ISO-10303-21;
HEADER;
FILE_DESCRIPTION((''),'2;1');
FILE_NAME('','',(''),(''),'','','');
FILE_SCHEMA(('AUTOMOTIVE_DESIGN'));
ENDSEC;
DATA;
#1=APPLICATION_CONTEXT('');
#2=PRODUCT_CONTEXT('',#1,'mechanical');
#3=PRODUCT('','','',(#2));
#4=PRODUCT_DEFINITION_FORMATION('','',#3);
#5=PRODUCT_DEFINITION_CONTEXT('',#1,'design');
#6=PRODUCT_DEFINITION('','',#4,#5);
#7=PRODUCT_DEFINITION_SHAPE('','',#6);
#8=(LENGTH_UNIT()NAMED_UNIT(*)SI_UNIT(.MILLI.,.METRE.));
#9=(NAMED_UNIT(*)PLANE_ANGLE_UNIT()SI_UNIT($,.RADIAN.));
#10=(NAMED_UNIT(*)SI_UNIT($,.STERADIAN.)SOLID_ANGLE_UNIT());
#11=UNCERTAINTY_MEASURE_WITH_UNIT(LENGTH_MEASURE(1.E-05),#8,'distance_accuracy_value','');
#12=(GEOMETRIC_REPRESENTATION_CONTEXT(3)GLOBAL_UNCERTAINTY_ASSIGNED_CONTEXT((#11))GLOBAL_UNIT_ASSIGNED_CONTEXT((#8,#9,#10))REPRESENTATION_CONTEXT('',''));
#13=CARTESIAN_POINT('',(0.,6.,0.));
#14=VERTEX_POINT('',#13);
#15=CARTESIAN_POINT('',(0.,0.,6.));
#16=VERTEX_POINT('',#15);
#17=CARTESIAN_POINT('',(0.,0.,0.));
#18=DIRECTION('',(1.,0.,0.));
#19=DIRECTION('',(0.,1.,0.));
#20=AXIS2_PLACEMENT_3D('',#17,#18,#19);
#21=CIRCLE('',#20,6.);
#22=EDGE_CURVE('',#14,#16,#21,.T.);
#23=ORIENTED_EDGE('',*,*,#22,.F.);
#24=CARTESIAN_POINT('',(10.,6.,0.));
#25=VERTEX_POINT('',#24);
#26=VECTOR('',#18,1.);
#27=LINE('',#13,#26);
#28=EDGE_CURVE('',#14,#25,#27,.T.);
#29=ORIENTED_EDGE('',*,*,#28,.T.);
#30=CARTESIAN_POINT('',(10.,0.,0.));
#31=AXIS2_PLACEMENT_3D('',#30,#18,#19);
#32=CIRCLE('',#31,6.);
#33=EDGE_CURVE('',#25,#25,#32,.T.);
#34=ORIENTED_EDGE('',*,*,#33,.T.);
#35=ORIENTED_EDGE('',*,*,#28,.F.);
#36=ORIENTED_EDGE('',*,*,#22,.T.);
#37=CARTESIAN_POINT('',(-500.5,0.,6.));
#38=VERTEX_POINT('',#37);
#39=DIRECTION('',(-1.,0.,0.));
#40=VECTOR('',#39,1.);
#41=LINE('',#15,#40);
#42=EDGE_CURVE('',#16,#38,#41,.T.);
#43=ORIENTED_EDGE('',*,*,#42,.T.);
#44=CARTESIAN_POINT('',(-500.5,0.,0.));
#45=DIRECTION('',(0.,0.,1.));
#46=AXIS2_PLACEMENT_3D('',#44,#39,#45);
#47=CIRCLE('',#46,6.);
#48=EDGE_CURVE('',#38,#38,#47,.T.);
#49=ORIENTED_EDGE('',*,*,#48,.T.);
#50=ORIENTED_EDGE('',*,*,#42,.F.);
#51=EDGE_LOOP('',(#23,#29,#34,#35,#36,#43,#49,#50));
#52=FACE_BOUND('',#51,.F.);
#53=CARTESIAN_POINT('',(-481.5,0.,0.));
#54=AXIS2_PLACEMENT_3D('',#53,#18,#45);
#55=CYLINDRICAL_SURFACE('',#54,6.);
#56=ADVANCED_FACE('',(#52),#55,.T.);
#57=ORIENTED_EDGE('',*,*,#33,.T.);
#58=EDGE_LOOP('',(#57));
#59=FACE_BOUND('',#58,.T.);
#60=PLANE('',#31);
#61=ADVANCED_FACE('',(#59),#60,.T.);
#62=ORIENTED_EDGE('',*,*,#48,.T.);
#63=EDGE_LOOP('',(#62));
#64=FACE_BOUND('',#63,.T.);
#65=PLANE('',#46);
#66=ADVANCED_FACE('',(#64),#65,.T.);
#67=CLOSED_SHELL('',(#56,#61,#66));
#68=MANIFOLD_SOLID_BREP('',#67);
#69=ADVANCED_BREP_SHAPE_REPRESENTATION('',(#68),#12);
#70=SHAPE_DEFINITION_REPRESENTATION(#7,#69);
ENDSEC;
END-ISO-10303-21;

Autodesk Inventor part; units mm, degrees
sketch "Sketch1" plane through (0, 0, 0) normal (1, 0, 0) x (0, 1, 0)
  circle A0 centre (0, 0) radius 6
  dimension "d0" = 12
extrude "Extrusion1" add sketch "Sketch1" along normal blind 10
sketch "Sketch2" plane through (0, 0, 0) normal (-1, 0, 0) x (0, 0, 1)
  circle A0 centre (0, 0) radius 6 projected
ref_plane "Work Plane1" through (-497, -256, -240) normal (-1, 0, 0) x (0, 0, 1)
ref_plane "Work Plane2" through (-697, -256, -240) normal (-1, 0, 0) x (0, 0, 1)
ref_plane "Work Plane3" through (-497, -256, -240) normal (-1, 0, 0) x (0, 0, 1)
ref_plane "Work Plane5" through (-481.5, -422.4955, -226.2332) normal (1, 0, 0) x (0, 0.3162, 0.9487)
extrude "Extrusion3" add sketch "Sketch2" along normal up to surface (481.5 mm away)
sketch "Sketch3" plane through (-481.5, 0, 0) normal (-1, 0, 0) x (0, 0, 1)
  circle A0 centre (0, 0) radius 6 projected
  point P0 (0, 0)
ref_plane "Work Plane6" through (-500.5, -12.5, -12.5) normal (-1, 0, 0) x (0, 0, 1)
extrude "Extrusion4" add sketch "Sketch3" along normal up to surface (19 mm away)
properties part number "12MM_X_AXIS_SHAFT"
